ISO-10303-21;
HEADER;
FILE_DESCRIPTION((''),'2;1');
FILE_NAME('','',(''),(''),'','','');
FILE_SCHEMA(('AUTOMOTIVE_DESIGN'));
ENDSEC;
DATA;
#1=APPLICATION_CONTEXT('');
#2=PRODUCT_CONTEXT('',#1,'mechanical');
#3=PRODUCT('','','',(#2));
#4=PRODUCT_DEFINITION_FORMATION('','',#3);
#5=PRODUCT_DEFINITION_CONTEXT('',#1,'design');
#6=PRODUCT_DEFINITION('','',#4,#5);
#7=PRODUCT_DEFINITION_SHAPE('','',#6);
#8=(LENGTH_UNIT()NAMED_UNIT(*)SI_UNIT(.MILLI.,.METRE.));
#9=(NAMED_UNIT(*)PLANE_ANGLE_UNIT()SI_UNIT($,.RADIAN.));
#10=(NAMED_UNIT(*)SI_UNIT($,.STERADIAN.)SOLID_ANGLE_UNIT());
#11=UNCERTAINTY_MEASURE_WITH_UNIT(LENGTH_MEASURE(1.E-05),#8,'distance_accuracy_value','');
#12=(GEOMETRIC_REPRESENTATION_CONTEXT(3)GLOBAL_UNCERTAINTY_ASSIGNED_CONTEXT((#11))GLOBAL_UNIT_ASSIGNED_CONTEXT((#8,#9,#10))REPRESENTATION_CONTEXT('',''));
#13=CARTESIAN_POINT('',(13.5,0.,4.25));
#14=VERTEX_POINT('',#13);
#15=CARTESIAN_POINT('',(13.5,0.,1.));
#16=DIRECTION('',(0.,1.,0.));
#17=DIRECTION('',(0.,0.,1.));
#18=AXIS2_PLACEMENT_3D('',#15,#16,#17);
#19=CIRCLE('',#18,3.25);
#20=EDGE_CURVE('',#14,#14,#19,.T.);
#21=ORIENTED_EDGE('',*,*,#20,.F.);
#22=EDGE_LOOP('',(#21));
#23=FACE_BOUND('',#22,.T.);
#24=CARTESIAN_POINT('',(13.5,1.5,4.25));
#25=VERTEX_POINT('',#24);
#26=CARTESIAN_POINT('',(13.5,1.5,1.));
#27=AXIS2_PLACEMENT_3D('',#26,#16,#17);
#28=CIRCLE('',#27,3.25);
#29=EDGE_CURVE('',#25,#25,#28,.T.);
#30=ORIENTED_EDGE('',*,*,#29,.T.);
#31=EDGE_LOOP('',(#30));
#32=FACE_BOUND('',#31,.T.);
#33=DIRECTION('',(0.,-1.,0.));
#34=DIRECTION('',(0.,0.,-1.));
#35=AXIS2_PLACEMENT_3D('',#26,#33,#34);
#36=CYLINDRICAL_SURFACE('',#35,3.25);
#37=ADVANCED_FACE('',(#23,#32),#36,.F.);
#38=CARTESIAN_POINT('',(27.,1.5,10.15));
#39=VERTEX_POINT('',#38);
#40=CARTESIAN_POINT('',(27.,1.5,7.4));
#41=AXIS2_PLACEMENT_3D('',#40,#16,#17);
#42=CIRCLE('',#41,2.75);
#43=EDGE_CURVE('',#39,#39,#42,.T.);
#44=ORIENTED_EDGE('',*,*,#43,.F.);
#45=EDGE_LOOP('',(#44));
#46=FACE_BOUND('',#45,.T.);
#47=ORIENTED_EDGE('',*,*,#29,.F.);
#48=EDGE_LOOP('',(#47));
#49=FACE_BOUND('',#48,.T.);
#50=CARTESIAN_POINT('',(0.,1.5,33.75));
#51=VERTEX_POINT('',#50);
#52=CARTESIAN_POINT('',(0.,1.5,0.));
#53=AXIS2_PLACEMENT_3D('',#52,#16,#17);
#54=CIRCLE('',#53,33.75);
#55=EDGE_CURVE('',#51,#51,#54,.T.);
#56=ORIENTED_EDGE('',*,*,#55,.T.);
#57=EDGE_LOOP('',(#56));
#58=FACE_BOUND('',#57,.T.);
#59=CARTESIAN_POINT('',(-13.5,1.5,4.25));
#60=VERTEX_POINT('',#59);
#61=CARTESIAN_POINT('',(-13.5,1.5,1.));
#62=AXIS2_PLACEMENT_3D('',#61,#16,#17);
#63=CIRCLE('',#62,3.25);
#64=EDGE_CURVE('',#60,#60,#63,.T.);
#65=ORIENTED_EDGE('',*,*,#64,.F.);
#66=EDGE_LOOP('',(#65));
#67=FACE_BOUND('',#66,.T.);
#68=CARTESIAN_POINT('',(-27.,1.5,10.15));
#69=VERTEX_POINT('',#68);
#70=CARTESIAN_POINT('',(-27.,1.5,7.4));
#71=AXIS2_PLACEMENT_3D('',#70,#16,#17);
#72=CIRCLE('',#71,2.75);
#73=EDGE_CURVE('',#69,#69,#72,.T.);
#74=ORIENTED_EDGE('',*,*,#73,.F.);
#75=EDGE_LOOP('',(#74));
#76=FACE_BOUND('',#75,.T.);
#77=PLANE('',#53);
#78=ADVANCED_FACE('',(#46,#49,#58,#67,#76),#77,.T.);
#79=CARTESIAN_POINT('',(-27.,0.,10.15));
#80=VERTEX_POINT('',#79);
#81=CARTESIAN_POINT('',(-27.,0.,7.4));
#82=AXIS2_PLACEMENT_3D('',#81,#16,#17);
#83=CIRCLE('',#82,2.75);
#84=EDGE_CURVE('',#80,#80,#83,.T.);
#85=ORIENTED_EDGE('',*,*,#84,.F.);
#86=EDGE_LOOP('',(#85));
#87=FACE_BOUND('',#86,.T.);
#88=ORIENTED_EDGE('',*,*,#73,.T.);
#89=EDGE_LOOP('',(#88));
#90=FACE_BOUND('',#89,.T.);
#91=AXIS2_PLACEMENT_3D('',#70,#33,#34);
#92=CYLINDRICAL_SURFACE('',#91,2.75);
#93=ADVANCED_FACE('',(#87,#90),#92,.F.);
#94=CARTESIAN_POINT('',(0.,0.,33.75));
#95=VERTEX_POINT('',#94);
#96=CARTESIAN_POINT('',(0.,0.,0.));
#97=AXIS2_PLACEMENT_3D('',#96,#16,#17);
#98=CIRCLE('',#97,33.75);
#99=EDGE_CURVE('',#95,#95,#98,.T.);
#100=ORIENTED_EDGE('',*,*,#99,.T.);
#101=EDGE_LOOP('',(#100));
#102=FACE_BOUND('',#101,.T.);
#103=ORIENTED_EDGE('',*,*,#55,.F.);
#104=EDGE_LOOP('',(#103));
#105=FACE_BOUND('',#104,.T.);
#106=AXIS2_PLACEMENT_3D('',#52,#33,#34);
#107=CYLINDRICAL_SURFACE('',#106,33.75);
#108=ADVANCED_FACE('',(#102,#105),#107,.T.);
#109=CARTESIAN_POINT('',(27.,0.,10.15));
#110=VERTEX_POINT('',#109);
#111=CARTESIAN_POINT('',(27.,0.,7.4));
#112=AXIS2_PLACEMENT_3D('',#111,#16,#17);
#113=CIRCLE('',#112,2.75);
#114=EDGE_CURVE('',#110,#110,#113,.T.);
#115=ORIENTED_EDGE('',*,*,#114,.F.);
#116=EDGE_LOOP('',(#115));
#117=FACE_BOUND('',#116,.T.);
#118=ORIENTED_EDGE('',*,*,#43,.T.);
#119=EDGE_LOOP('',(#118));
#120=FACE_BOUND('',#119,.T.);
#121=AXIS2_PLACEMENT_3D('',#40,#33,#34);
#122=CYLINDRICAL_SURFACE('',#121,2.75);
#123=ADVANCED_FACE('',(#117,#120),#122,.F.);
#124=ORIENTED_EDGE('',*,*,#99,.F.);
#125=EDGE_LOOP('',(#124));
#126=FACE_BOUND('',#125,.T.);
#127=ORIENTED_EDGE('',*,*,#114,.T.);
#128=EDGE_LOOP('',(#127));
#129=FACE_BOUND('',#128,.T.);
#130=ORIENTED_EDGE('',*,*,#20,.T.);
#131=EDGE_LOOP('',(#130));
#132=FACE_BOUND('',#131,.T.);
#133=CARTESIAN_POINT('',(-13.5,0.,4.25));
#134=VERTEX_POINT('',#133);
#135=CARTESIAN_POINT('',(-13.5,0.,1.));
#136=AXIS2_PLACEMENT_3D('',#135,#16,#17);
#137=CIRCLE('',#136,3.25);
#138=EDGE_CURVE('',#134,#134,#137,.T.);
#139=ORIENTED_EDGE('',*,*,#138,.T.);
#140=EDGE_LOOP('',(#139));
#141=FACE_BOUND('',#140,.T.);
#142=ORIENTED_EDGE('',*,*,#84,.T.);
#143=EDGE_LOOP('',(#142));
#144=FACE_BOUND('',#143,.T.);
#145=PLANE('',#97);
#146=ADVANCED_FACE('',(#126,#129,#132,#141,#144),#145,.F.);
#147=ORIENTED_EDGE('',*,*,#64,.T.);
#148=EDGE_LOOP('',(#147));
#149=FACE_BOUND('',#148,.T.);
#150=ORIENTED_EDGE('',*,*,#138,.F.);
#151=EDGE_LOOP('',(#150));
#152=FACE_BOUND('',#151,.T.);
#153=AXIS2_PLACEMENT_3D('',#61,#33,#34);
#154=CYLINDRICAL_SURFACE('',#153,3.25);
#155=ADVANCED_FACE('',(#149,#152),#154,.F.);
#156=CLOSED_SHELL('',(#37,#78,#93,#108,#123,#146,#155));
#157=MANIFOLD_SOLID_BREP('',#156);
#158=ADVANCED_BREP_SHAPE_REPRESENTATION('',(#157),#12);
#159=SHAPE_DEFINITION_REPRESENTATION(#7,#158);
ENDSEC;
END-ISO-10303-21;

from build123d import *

# Parameters (mm, degrees)
SKETCH1_R           = 33.75
SKETCH1_R_2         = 2.75
SKETCH1_R_3         = 3.25
BOSS_EXTRUDE1_DEPTH = 1.5


with BuildPart() as part:
    # Sketch1 → Boss-Extrude1 (new body)
    with BuildSketch(Plane(origin=(0, 0, 0), x_dir=(1, 0, 0), z_dir=(0, 1, 0))):
        with Locations(Location((0, 0, 0), (0, 0, 270))):
            Circle(SKETCH1_R)
        with Locations(Location((-27, -7.4, 0), (0, 0, 270))):
            Circle(SKETCH1_R_2, mode=Mode.SUBTRACT)
        with Locations(Location((27, -7.4, 0), (0, 0, 270))):
            Circle(SKETCH1_R_2, mode=Mode.SUBTRACT)
        with Locations(Location((-13.5, -1, 0), (0, 0, 270))):
            Circle(SKETCH1_R_3, mode=Mode.SUBTRACT)
        with Locations(Location((13.5, -1, 0), (0, 0, 270))):
            Circle(SKETCH1_R_3, mode=Mode.SUBTRACT)
    extrude(amount=BOSS_EXTRUDE1_DEPTH)


solid = part.part
